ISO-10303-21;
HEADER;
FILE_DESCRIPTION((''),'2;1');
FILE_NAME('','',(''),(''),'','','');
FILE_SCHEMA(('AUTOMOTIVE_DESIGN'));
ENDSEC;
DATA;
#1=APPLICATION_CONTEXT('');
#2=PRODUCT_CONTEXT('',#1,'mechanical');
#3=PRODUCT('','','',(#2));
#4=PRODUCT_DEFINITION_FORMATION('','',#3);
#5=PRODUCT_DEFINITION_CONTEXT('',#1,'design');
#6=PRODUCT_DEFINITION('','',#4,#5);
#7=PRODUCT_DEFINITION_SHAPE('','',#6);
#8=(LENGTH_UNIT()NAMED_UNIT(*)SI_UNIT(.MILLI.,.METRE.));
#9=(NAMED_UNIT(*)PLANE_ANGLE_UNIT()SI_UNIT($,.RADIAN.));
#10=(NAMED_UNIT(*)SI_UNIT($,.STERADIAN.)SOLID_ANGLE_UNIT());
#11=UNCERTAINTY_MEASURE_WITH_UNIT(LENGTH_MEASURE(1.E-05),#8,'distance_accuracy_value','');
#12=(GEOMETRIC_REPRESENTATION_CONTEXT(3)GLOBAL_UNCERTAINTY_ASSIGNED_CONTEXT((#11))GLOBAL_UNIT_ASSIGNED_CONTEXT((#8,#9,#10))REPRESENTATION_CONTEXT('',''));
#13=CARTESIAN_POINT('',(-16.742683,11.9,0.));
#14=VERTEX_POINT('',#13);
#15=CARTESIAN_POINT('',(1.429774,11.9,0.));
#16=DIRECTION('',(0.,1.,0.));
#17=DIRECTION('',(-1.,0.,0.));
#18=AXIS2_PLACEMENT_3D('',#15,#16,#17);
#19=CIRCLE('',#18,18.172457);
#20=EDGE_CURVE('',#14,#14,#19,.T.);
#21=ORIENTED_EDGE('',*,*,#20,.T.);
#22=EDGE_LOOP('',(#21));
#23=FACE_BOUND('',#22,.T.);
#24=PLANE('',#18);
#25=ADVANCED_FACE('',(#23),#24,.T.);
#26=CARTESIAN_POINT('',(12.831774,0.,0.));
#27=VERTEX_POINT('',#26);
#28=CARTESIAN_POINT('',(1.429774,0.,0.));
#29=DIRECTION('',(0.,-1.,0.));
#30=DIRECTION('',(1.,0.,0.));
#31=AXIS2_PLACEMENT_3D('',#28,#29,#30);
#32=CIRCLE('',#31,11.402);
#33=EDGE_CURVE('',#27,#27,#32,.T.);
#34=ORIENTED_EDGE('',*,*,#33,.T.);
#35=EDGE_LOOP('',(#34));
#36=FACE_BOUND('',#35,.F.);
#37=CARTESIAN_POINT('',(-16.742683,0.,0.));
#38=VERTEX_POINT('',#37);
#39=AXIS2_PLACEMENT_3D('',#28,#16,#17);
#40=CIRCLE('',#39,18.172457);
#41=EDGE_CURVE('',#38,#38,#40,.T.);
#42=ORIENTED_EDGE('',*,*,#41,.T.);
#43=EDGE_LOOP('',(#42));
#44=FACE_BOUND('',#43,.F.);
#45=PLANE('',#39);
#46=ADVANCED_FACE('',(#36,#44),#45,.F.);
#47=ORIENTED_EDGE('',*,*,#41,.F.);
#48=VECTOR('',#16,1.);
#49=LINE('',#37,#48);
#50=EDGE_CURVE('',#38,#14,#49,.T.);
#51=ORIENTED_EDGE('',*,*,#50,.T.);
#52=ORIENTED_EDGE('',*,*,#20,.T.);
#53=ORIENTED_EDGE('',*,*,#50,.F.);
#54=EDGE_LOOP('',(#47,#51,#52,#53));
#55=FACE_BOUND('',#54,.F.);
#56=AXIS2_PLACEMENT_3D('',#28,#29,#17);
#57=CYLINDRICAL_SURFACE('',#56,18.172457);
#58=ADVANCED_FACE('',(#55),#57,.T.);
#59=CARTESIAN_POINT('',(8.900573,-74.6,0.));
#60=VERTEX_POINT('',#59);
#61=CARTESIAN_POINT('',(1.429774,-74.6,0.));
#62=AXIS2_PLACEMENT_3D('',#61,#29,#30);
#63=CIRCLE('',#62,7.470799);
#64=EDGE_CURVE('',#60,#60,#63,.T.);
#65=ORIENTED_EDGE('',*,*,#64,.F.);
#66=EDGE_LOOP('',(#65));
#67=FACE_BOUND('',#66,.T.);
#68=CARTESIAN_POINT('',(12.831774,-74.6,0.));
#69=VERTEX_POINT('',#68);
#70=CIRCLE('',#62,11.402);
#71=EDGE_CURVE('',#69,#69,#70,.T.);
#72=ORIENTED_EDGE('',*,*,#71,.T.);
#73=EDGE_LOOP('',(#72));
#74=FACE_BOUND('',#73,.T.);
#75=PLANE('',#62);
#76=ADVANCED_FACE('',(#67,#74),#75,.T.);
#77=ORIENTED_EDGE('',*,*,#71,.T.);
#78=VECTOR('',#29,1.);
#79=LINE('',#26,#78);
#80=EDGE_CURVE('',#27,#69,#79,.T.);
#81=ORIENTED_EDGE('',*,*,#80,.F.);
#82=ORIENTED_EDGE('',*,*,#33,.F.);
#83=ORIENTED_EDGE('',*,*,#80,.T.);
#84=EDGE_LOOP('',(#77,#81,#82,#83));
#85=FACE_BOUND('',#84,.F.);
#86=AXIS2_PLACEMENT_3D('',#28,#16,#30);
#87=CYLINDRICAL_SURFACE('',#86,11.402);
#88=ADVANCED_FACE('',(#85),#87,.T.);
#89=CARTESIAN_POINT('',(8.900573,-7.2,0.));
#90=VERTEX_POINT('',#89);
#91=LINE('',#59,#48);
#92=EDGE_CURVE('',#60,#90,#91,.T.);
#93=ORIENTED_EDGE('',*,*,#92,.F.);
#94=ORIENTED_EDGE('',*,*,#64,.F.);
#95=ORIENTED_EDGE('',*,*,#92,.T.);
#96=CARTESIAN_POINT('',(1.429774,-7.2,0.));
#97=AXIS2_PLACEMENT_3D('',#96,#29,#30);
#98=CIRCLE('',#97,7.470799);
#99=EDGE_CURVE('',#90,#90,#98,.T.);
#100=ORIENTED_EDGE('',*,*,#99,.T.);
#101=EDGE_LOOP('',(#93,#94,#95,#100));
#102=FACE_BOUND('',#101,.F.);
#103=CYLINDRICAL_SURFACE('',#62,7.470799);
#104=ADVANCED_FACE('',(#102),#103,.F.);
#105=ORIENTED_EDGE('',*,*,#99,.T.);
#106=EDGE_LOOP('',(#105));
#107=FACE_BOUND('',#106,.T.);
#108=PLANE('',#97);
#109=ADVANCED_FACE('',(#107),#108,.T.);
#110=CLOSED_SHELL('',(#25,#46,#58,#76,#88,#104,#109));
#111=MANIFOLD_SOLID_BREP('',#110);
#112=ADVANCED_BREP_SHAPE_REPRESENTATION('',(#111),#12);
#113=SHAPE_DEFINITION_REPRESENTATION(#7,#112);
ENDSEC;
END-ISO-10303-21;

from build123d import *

# Parameters (mm, degrees)
F0_R     = 11.402
F1_DEPTH = 74.6
F2_R     = 18.172457
F3_DEPTH = 11.9
F4_R     = 7.470799
F5_DEPTH = 67.4


with BuildPart() as f1:
    # F0 (on Front) → F1 (new body)
    with BuildSketch(Plane.XZ):
        with Locations((1.429774, 0)):
            Circle(F0_R)
    extrude(amount=F1_DEPTH)

    # F2 (on face) → F3 (join)
    with BuildSketch(Plane(origin=(0, 0, 0), x_dir=(-1, 0, 0), z_dir=(0, 1, 0))):
        with Locations((-1.429774, 0)):
            Circle(F2_R)
    extrude(amount=F3_DEPTH)

    # F4 (on face) → F5 (cut)
    with BuildSketch(Plane.XZ.offset(74.6)):
        with Locations((1.429774, 0)):
            Circle(F4_R)
    extrude(amount=-F5_DEPTH, mode=Mode.SUBTRACT)


solid = f1.part
